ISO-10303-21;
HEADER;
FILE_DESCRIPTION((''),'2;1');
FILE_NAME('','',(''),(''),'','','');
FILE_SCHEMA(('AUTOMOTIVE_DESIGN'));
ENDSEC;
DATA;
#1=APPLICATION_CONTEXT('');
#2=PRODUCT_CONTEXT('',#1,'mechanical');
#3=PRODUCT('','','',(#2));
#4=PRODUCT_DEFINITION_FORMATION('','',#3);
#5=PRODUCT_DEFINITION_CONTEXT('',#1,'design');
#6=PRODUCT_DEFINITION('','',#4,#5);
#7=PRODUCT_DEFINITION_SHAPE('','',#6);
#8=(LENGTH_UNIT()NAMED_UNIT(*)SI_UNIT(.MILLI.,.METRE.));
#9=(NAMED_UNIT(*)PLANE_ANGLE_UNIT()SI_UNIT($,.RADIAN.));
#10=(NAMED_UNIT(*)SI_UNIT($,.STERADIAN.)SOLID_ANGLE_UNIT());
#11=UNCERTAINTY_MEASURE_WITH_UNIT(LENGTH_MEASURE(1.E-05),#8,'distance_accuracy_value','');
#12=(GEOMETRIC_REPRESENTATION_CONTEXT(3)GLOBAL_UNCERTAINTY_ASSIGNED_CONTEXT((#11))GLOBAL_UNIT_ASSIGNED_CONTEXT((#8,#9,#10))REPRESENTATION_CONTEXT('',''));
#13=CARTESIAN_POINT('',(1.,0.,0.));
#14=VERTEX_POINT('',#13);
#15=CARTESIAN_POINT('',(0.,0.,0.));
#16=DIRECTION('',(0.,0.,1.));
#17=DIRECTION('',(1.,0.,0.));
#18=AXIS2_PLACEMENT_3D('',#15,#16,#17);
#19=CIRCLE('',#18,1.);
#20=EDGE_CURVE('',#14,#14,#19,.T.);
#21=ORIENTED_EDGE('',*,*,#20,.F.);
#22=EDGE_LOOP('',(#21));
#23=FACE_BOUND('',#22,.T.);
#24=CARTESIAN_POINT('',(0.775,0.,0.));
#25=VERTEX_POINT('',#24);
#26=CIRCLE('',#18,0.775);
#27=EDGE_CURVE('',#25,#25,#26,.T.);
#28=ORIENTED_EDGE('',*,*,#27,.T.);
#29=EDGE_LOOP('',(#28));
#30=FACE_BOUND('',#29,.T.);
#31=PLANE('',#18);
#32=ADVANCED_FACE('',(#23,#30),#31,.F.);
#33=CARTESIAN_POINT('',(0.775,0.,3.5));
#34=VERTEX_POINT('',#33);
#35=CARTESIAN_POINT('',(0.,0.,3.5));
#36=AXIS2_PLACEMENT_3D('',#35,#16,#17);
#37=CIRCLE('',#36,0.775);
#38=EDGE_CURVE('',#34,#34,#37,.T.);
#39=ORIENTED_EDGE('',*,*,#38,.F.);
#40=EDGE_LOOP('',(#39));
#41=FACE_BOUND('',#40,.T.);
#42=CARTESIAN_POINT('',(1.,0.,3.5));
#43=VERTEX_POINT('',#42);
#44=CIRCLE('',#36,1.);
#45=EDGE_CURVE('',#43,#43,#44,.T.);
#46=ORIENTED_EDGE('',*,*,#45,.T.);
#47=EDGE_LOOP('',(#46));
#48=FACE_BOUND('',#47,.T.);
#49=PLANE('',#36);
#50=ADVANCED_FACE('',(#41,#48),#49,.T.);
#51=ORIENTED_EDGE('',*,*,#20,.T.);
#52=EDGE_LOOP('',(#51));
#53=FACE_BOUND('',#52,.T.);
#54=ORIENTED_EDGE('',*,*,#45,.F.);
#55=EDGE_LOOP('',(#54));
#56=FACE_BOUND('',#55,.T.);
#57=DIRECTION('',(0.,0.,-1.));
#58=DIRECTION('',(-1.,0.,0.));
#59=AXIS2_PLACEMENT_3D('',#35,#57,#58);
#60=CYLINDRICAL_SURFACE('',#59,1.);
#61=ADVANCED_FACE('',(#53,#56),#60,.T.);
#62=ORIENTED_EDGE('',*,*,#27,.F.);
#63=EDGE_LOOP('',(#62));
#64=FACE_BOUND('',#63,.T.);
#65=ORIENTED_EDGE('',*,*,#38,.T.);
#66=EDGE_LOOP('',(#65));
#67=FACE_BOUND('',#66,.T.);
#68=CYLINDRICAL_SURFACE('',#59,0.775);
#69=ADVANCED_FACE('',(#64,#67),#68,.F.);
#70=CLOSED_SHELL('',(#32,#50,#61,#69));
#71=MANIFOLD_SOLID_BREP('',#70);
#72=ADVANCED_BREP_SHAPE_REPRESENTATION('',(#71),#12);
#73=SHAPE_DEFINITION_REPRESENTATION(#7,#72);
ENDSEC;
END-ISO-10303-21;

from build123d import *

# Parameters (mm, degrees)
SKETCH_1_R      = 1
SKETCH_1_R_2    = 0.775
EXTRUDE_1_DEPTH = 3.5


with BuildPart() as part:
    # Эскиз1 → Бобышка-Вытянуть1 (new body)
    with BuildSketch(Plane.XY):
        Circle(SKETCH_1_R)
        Circle(SKETCH_1_R_2, mode=Mode.SUBTRACT)
    extrude(amount=EXTRUDE_1_DEPTH)


solid = part.part
